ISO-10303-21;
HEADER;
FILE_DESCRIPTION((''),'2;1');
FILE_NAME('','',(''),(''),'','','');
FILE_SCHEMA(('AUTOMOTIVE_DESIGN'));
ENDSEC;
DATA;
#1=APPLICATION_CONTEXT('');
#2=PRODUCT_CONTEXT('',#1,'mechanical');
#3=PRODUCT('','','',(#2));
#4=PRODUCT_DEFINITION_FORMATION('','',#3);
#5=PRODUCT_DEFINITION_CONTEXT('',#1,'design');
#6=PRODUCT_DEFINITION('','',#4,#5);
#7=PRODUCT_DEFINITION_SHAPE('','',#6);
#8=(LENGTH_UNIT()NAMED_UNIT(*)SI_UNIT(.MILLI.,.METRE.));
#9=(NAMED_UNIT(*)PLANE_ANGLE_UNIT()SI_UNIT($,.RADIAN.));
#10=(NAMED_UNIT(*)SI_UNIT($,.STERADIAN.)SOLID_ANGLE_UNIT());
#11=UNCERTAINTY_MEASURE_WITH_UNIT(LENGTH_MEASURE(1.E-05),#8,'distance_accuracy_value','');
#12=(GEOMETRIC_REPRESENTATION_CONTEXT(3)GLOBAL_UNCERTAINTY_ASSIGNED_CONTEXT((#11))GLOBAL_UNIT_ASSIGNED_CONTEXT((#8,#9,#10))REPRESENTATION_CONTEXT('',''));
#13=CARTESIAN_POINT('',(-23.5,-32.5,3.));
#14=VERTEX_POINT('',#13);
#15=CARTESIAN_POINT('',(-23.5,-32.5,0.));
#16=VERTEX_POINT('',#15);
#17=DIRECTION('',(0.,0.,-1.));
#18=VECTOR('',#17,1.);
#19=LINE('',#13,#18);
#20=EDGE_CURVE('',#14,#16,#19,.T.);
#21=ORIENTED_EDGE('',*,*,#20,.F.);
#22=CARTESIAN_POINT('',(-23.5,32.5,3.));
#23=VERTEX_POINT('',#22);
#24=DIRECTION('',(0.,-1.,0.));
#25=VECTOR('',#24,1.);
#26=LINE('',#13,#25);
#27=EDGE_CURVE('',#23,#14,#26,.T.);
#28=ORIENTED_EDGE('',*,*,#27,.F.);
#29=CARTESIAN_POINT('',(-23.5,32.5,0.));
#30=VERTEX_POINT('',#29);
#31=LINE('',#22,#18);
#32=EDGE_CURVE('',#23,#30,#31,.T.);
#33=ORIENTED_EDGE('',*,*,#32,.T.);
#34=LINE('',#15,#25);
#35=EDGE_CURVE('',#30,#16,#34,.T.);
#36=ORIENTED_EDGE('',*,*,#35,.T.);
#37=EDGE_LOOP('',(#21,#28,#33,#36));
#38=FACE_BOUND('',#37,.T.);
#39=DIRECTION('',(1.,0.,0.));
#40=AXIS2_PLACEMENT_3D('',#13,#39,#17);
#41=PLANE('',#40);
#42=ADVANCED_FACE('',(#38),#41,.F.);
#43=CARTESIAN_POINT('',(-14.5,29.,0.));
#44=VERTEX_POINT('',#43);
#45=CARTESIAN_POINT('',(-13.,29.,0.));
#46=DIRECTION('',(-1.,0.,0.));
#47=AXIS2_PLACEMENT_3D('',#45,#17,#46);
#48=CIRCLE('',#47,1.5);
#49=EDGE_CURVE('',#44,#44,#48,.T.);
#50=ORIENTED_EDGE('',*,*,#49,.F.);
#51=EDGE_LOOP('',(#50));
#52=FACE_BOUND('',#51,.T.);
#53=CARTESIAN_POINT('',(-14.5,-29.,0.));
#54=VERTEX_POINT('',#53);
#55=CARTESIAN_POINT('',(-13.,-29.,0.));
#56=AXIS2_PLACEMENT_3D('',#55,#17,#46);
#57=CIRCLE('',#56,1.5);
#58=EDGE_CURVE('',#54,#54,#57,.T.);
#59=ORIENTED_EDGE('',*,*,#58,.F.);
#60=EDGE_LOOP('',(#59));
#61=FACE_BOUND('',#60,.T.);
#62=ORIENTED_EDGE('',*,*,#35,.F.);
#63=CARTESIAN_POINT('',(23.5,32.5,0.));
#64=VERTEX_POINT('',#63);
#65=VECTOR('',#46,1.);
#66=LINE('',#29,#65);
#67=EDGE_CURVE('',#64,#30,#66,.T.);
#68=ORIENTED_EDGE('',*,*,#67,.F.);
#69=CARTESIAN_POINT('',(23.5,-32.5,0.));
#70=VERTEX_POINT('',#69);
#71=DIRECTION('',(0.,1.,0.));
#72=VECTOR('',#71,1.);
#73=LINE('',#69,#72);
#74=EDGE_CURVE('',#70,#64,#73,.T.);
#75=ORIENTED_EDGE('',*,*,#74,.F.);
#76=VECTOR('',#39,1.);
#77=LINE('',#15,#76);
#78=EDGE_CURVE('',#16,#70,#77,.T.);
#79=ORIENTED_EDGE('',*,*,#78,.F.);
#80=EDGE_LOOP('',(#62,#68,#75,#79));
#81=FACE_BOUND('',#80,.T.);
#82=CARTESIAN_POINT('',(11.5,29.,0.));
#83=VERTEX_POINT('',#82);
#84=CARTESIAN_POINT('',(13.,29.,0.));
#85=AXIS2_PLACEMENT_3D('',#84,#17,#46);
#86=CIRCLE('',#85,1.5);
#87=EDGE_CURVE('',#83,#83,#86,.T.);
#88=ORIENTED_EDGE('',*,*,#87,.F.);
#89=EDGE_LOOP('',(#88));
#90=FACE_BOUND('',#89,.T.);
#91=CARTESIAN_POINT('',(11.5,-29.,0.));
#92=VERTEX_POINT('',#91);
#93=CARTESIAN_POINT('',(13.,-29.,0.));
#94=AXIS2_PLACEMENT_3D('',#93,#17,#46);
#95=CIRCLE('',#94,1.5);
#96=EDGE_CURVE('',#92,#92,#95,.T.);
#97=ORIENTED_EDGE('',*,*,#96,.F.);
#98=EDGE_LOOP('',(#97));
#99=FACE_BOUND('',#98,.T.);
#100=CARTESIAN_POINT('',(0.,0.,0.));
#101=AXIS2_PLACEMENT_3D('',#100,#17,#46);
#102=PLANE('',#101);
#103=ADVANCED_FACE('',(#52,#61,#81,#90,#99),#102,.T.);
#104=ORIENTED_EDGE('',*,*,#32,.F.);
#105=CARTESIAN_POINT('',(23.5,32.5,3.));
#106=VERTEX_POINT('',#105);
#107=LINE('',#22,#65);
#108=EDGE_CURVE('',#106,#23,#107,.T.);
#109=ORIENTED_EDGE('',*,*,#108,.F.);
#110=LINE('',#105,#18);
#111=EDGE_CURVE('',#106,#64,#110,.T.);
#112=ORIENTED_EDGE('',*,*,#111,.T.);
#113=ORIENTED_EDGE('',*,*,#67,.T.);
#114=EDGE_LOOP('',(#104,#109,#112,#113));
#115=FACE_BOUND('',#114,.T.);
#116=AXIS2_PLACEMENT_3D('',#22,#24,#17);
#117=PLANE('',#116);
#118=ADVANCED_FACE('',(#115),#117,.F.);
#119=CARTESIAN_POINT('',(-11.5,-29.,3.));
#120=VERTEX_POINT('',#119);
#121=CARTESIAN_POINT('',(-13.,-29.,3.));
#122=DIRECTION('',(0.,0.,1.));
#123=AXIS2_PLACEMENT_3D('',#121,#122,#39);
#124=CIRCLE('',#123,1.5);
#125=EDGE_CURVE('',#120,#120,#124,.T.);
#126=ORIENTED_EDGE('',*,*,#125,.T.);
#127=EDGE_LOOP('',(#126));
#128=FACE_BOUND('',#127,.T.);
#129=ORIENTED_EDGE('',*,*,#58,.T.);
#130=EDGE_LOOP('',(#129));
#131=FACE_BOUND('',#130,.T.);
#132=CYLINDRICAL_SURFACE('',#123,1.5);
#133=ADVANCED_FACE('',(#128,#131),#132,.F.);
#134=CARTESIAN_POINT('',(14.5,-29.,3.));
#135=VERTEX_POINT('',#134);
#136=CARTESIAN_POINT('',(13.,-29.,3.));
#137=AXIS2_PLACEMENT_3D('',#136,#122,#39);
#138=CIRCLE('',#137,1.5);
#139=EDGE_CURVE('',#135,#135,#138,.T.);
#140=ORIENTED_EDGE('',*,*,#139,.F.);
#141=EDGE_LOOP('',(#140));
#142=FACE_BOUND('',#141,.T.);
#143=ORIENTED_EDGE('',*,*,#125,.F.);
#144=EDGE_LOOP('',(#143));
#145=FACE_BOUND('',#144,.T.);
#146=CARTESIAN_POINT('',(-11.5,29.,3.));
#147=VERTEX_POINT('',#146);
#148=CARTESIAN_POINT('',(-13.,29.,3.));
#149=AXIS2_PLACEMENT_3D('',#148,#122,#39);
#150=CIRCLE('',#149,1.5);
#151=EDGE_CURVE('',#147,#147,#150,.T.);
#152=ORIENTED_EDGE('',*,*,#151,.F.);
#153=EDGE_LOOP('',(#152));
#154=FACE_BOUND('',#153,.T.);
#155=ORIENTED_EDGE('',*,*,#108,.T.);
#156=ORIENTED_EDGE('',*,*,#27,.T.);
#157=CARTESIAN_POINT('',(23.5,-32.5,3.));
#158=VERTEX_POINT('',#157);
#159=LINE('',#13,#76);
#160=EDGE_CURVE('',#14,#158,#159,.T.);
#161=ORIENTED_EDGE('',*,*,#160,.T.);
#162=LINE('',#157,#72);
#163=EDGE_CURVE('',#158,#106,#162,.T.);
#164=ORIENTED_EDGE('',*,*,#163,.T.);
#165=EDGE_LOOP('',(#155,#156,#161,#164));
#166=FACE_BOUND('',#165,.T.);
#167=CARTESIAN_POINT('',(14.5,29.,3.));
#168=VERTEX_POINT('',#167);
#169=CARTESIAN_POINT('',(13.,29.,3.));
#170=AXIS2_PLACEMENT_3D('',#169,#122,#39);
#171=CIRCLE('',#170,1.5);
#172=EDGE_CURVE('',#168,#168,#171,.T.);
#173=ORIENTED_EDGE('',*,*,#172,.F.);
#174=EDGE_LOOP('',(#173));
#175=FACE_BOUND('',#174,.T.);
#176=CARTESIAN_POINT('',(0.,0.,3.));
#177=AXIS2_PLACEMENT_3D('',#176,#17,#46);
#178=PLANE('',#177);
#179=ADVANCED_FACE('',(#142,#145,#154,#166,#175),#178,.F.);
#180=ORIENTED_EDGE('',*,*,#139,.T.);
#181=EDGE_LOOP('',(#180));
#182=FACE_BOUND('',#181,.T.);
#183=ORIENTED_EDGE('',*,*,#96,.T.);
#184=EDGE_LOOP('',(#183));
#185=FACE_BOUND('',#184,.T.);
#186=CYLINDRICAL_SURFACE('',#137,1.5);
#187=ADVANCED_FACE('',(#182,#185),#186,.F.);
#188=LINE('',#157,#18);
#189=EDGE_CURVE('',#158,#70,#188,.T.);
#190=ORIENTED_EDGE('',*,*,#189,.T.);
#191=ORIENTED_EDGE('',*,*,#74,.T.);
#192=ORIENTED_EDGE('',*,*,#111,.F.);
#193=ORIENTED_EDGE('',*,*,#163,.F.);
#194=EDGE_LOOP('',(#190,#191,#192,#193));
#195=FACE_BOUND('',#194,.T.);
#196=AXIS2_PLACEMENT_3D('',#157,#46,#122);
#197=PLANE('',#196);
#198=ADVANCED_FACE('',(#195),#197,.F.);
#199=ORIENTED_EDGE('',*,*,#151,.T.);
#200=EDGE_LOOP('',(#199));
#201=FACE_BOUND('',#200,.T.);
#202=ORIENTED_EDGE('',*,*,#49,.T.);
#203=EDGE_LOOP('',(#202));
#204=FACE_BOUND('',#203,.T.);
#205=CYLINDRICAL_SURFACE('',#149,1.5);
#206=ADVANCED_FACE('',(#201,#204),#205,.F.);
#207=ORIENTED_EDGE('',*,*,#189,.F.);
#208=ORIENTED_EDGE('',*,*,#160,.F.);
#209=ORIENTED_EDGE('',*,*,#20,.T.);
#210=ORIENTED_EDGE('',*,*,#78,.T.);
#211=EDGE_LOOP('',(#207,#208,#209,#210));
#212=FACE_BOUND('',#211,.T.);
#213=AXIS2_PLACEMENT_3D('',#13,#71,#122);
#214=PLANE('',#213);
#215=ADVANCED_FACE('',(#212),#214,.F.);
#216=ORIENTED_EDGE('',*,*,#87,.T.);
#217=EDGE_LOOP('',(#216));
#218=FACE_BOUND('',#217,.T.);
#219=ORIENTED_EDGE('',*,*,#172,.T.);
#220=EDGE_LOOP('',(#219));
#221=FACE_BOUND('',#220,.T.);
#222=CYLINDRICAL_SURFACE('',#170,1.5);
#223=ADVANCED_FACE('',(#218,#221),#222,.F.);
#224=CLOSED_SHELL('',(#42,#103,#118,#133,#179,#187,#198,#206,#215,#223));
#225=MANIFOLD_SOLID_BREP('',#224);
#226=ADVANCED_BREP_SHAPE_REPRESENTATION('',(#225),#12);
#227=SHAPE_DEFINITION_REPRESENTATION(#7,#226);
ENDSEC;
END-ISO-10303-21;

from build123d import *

# Parameters (mm, degrees)
SKETCH1_W                 = 47
SKETCH1_H                 = 65
BOSS_EXTRUDE1_DEPTH       = 3
F_3_0MM_DOWEL_HOLE1_D     = 3
F_3_0MM_DOWEL_HOLE1_DEPTH = 4
F_3_0MM_DOWEL_HOLE1_TIP   = 0.901290929


with BuildPart() as part:
    # Sketch1 → Boss-Extrude1 (new body)
    with BuildSketch(Plane.XY):
        Rectangle(SKETCH1_W, SKETCH1_H)
    extrude(amount=BOSS_EXTRUDE1_DEPTH)

    # Ø3.0mm Dowel Hole1
    with Locations(Plane.XY.offset(3)):
        with Locations((-13, -29), (13, -29), (13, 29), (-13, 29)):
            Hole(F_3_0MM_DOWEL_HOLE1_D / 2, depth=F_3_0MM_DOWEL_HOLE1_DEPTH)
            with Locations((0, 0, -(F_3_0MM_DOWEL_HOLE1_DEPTH + F_3_0MM_DOWEL_HOLE1_TIP / 2))):  # 118° drill point
                Cone(0, F_3_0MM_DOWEL_HOLE1_D / 2, F_3_0MM_DOWEL_HOLE1_TIP, mode=Mode.SUBTRACT)


solid = part.part
